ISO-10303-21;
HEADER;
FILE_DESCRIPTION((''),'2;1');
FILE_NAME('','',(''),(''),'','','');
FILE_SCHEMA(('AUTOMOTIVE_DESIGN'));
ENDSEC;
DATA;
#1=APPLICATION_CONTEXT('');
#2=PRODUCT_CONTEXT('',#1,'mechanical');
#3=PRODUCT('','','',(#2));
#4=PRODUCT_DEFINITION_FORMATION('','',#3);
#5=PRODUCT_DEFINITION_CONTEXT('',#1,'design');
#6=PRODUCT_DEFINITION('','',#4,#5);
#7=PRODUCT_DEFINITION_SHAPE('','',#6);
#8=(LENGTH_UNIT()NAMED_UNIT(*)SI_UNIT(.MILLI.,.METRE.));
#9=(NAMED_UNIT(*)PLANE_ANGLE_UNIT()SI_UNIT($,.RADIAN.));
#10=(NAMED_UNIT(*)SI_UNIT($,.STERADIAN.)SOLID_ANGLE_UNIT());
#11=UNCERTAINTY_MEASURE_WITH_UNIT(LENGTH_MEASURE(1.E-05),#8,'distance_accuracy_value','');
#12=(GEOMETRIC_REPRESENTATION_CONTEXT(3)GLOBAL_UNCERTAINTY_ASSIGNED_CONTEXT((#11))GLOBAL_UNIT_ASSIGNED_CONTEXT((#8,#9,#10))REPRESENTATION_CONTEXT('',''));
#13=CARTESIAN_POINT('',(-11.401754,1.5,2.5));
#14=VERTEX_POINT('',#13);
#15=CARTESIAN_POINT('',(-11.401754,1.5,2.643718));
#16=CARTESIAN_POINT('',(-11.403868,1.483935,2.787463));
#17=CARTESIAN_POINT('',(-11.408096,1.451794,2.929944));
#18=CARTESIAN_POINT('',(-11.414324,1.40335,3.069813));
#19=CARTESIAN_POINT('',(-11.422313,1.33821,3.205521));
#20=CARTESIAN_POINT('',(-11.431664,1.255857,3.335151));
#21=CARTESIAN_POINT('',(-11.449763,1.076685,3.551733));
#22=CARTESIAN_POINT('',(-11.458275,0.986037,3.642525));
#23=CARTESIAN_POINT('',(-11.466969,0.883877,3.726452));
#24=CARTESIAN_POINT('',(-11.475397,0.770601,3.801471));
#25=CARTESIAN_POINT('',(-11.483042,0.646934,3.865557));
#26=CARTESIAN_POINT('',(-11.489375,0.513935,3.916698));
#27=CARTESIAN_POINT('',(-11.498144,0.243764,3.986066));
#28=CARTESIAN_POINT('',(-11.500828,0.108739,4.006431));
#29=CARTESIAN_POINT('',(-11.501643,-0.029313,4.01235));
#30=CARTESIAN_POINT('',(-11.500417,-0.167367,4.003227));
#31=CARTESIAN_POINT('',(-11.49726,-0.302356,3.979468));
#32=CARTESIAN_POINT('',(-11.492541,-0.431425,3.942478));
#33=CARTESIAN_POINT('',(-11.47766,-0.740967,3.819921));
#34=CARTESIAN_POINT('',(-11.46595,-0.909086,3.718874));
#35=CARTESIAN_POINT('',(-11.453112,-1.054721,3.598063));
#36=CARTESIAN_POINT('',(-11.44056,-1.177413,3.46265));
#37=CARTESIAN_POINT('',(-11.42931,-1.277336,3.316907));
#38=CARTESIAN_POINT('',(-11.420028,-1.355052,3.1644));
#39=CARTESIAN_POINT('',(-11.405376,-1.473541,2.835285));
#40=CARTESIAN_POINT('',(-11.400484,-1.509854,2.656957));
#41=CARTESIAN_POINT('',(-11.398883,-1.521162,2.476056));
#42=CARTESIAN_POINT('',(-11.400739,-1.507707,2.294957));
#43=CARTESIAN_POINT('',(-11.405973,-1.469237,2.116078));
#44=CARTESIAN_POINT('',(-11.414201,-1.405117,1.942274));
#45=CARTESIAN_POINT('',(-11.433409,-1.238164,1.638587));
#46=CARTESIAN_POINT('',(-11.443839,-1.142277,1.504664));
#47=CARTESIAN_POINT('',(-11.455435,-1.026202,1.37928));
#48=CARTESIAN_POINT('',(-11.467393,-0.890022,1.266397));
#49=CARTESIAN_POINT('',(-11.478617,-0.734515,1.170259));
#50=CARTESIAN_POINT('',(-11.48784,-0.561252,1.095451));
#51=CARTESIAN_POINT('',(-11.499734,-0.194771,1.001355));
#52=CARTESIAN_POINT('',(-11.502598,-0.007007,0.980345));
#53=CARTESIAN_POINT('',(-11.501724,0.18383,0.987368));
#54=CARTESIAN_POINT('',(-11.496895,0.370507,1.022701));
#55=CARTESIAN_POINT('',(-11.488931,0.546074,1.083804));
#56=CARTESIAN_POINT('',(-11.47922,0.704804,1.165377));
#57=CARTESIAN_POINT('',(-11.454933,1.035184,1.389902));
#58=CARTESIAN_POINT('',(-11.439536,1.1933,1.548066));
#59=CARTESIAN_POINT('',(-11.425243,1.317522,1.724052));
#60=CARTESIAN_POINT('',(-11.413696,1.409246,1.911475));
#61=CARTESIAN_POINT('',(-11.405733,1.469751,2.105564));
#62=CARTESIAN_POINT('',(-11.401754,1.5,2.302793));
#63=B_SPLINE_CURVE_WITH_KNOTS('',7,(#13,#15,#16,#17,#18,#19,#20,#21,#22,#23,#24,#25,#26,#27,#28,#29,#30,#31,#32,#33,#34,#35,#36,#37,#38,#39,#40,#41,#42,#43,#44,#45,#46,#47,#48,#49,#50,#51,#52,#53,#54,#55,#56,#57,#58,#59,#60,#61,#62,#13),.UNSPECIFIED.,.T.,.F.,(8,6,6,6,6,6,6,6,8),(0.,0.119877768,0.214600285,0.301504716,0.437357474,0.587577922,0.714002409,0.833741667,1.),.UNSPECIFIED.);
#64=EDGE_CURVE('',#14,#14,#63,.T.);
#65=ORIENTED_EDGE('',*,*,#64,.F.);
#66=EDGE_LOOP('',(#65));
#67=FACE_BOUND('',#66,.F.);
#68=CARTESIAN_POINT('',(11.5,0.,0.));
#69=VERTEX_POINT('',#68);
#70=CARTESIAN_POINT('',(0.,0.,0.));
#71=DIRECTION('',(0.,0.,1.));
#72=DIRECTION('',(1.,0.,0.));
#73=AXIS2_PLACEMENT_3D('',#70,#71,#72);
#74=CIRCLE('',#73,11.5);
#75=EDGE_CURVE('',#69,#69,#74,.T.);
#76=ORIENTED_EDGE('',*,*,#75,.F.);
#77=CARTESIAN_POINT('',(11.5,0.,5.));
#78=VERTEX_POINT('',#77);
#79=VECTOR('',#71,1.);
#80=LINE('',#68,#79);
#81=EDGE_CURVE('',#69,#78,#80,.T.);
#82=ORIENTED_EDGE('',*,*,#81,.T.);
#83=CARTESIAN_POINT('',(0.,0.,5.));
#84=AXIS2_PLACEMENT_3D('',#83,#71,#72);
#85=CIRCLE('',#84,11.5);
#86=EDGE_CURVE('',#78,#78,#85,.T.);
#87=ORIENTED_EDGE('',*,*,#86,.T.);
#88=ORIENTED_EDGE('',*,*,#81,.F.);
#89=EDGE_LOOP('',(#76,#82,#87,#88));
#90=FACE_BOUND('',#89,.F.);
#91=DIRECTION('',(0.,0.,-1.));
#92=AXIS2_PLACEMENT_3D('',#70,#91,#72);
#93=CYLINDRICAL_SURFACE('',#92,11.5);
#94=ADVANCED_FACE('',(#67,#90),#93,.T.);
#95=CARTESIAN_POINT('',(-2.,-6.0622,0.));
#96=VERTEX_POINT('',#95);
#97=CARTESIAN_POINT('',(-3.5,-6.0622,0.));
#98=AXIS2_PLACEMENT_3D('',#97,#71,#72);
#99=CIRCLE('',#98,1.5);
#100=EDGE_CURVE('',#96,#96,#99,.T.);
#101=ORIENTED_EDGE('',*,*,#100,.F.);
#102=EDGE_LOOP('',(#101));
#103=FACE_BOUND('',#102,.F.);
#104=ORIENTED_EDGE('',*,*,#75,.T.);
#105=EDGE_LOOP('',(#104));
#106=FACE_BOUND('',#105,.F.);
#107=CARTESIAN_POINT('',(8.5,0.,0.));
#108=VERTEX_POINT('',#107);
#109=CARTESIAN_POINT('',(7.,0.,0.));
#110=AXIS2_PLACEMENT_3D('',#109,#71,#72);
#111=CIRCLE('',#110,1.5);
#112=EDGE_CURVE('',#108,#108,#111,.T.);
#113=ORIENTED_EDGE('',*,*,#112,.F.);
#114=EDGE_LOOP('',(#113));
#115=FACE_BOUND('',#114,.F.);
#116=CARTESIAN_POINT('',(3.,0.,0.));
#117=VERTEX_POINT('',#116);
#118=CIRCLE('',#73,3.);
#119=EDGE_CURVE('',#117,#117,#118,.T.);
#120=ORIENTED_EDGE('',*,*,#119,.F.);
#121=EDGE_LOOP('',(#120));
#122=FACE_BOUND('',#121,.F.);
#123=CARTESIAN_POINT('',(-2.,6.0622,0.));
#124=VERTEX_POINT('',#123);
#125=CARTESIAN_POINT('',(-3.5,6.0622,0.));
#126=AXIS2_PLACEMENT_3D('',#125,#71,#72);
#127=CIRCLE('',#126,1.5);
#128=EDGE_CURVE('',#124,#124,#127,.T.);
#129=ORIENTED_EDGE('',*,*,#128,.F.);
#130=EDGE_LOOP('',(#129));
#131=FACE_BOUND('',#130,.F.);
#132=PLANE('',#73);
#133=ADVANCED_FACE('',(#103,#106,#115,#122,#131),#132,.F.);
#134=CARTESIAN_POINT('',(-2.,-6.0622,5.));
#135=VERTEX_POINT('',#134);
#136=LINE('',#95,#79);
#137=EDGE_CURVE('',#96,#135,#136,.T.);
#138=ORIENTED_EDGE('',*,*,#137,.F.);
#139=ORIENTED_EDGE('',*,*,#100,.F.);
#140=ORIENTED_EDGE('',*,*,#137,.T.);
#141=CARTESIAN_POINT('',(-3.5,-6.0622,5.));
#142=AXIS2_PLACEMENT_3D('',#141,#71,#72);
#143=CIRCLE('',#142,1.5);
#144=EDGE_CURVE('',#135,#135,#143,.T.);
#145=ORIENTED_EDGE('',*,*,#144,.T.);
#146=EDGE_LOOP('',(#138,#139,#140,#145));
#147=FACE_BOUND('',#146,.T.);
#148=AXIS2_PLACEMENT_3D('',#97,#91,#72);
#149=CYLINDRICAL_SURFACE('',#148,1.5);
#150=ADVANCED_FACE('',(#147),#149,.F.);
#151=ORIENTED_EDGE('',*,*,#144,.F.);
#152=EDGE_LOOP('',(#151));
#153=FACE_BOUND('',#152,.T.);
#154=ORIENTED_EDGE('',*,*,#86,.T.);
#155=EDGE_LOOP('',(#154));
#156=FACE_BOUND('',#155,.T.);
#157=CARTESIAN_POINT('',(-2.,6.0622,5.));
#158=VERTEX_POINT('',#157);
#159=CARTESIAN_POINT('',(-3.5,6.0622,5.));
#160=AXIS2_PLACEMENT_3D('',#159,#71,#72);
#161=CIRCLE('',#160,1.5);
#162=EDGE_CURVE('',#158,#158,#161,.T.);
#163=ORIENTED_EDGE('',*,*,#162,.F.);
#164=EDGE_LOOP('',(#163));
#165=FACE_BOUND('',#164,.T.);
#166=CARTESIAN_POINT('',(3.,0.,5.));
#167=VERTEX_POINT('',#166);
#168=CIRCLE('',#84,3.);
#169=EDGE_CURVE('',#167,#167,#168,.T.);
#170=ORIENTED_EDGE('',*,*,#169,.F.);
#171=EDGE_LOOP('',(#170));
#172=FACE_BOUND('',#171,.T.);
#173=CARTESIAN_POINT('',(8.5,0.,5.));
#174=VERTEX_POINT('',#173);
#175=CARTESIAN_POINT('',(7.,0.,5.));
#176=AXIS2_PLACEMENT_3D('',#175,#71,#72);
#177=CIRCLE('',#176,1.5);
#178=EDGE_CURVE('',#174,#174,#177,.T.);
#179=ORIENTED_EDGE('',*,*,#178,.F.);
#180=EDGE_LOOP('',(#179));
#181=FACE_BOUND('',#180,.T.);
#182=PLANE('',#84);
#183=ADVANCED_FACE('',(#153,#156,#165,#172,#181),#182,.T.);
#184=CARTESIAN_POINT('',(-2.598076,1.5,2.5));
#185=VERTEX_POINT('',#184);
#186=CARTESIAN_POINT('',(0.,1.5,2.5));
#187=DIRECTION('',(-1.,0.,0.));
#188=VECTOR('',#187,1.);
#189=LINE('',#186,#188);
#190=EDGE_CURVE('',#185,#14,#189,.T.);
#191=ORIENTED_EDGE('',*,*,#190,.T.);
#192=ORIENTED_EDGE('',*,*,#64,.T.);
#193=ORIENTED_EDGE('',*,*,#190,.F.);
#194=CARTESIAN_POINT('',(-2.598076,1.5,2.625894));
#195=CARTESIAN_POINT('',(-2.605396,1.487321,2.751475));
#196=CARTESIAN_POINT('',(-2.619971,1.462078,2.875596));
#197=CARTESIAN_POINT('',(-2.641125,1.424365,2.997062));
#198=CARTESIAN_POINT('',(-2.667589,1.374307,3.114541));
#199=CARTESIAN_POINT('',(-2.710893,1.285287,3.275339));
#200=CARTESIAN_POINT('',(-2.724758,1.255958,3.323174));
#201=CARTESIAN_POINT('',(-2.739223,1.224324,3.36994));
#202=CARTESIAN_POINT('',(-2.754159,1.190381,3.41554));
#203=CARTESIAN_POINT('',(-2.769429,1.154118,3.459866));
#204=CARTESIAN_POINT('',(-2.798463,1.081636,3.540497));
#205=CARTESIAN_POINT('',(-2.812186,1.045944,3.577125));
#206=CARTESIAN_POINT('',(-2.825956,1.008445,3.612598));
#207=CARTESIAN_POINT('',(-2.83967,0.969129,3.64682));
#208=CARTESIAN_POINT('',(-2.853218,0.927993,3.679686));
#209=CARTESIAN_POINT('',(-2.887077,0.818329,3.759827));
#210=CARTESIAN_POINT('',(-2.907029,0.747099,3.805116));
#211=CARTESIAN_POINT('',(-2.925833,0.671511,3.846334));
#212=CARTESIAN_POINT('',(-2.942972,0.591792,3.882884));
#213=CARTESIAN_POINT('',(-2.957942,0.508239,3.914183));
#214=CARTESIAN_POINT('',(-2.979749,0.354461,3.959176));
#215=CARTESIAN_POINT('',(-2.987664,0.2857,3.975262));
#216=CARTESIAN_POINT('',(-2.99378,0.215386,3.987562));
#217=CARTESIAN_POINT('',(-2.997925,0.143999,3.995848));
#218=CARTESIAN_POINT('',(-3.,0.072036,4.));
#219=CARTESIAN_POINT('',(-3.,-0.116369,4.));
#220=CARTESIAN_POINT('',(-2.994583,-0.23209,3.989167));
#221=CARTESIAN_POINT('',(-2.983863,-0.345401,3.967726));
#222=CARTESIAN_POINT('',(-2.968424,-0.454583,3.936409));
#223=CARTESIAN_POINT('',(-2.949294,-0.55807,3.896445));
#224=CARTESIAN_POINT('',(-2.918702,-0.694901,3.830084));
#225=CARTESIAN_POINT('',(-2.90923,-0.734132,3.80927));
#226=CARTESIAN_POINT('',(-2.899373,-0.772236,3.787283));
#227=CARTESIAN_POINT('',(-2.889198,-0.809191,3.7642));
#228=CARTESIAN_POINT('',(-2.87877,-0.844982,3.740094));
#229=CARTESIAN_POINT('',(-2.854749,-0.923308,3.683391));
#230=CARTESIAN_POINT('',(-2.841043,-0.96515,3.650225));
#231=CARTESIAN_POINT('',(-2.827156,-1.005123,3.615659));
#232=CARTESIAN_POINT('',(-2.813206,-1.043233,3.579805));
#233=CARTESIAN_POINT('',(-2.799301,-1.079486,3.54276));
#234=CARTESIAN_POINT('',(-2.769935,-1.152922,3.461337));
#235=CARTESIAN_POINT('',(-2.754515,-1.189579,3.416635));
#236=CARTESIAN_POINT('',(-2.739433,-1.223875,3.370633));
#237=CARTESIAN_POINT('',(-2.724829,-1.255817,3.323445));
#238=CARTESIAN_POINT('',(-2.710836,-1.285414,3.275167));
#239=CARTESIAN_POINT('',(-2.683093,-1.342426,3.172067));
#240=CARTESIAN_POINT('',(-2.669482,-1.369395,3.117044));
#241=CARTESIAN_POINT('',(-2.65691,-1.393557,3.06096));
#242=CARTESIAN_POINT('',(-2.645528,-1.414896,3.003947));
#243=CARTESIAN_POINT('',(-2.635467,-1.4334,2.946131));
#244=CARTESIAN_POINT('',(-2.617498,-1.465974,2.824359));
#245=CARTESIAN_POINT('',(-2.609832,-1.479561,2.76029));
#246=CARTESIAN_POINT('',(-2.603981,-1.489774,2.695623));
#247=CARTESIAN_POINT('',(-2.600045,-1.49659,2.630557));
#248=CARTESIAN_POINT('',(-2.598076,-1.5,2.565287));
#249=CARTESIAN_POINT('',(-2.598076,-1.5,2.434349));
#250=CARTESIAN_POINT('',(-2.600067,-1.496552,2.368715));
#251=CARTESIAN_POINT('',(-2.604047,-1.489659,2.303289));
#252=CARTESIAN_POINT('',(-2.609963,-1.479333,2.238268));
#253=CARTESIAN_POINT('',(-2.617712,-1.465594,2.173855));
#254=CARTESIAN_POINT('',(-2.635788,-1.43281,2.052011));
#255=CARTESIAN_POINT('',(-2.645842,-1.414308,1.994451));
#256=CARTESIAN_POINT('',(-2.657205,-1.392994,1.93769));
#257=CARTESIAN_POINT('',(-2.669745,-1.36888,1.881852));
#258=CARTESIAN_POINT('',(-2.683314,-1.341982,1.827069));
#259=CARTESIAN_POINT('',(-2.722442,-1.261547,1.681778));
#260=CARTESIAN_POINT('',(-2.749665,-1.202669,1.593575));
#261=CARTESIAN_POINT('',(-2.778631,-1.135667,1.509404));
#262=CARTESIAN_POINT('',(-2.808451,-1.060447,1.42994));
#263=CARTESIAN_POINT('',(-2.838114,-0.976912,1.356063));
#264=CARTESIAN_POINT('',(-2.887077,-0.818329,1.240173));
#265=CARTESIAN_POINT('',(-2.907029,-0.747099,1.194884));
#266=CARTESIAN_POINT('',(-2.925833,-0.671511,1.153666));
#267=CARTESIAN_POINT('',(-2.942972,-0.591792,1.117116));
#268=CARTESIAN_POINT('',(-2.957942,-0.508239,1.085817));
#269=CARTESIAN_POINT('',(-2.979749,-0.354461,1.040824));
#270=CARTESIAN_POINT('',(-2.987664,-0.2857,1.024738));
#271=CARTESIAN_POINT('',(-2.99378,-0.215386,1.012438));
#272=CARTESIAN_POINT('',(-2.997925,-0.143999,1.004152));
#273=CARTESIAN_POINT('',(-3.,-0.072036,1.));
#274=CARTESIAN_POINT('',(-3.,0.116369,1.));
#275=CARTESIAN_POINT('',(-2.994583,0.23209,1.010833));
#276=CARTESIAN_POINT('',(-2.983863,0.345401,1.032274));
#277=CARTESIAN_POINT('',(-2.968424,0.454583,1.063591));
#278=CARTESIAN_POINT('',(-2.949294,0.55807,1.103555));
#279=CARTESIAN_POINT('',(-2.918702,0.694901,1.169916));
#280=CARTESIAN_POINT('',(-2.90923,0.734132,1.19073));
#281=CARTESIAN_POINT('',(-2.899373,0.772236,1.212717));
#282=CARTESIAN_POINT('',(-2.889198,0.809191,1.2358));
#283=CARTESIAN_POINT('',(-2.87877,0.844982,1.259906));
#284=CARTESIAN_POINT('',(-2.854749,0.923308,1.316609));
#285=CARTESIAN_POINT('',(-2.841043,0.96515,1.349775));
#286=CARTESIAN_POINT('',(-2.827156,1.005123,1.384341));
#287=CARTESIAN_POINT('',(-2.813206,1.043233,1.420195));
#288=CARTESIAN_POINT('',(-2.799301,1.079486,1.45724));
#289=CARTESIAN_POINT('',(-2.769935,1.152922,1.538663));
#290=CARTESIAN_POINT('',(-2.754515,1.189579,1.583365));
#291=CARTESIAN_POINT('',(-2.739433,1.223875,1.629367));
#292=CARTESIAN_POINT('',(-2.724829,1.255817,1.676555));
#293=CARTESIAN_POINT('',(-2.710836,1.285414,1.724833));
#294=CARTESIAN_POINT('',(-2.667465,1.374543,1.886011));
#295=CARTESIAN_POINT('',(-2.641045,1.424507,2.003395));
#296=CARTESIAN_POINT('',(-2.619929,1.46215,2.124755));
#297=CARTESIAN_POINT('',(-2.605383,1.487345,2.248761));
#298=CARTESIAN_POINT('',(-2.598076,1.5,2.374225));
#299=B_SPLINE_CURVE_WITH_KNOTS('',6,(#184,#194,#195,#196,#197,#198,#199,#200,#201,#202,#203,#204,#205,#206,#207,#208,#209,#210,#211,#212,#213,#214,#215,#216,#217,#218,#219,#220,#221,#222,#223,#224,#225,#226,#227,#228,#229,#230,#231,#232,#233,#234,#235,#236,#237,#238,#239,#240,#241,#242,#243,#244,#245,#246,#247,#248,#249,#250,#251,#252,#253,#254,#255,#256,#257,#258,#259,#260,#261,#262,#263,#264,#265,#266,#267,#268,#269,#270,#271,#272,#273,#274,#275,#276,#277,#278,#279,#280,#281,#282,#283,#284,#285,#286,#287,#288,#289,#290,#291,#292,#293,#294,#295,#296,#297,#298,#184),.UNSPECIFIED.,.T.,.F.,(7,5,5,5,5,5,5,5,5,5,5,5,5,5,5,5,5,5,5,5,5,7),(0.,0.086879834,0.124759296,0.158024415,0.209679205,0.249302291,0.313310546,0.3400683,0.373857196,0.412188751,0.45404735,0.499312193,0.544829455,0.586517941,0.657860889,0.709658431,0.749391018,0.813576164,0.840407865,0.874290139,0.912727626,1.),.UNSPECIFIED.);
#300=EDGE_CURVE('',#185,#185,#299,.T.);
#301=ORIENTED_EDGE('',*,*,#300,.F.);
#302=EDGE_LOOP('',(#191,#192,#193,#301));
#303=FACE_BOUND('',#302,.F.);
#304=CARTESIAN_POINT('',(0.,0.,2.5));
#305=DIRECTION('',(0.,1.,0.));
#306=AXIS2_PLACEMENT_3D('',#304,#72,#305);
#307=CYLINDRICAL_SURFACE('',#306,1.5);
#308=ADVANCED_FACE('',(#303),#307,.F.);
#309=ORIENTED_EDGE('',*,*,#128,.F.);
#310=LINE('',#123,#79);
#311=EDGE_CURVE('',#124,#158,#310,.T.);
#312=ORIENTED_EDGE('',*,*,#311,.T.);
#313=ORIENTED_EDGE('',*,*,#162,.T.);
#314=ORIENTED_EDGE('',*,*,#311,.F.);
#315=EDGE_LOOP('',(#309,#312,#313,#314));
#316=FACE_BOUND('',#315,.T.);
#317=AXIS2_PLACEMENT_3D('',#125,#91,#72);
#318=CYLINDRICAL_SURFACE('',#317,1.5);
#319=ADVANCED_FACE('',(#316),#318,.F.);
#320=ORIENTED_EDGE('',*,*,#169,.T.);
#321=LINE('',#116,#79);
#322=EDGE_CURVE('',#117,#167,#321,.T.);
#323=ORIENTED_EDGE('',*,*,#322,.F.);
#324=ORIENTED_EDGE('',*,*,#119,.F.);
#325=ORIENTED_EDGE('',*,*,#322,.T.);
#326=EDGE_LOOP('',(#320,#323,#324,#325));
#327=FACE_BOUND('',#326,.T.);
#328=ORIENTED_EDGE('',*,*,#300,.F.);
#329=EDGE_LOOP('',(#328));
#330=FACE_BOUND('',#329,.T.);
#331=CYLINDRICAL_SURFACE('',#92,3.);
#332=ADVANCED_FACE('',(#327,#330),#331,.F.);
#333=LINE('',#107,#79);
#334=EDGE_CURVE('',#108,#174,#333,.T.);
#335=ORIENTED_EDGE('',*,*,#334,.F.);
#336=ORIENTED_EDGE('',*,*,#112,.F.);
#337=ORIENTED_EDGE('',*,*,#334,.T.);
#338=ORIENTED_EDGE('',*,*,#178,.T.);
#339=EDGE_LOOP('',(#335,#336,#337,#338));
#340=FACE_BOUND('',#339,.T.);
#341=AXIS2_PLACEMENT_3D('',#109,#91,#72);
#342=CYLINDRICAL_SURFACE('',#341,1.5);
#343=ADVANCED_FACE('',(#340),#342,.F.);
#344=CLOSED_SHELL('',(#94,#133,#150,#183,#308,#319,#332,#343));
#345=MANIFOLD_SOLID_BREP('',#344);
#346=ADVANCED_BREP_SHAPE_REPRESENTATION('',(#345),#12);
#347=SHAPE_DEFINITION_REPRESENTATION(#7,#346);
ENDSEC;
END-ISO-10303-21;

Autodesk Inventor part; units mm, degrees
ref_plane "YZ Plane" through (0, 0, 0) normal (1, 0, 0) x (0, 1, 0)
ref_plane "XZ Plane" through (0, 0, 0) normal (0, 1, 0) x (-1, 0, 0)
ref_plane "XY Plane" through (0, 0, 0) normal (0, 0, 1) x (1, 0, 0)
sketch "Sketch3" plane through (0, 0, 0) normal (0, 0, 1) x (1, 0, 0)
  circle A0 centre (0, 0) radius 11.5
  circle A1 centre (0, 0) radius 3
  circle A2 centre (7, 0) radius 1.5
  circle A3 centre (3.5, 6.0622) radius 1.5
  circle A4 centre (-3.5, 6.0622) radius 1.5
  circle A5 centre (-7, 0) radius 1.5
  circle A6 centre (-3.5, -6.0622) radius 1.5
  circle A7 centre (3.5, -6.0622) radius 1.5
  dimension "d0" = 23
  dimension "d1" = 6
  dimension "d4" = 3
  dimension "d5" = 7
  dimension "d12" = 360
extrude "Extrusion1" add sketch "Sketch3" along normal blind 5 contours A0 | A3 | A5 | A7
sketch "Sketch4" plane through (0, 0, 0) normal (1, 0, 0) x (0, 1, 0)
  line L0 (-11.5, 0) -> (11.5, 0) projected
  line L1 (-3, 5) -> (3, 5) projected
  line L2 (3, 0) -> (-3, 0) projected
  circle A0 centre (0, 2.5) radius 1.5
  line L3 (3, 0) -> (3, 5) projected
  point P0 (0, 0)
  point P1 (0, 0)
  point P2 (3, 2.5)
  dimension "d14" = 3
extrude "Extrusion2" cut sketch "Sketch4" against normal through all
thread "Thread1" size "M3x0.5" class "6H" standard "ANSI Metric M Profile" full length
thread "Thread2" size "M3x0.5" class "6H" standard "ANSI Metric M Profile" full length
thread "Thread3" size "M3x0.5" class "6H" standard "ANSI Metric M Profile" full length
thread "Thread4" size "M3x0.5" class "6H" standard "ANSI Metric M Profile" full length
equation "\"d15\" = d14"
properties part number "6mm Mounting Hub, thin" material "Aluminum 6061"
